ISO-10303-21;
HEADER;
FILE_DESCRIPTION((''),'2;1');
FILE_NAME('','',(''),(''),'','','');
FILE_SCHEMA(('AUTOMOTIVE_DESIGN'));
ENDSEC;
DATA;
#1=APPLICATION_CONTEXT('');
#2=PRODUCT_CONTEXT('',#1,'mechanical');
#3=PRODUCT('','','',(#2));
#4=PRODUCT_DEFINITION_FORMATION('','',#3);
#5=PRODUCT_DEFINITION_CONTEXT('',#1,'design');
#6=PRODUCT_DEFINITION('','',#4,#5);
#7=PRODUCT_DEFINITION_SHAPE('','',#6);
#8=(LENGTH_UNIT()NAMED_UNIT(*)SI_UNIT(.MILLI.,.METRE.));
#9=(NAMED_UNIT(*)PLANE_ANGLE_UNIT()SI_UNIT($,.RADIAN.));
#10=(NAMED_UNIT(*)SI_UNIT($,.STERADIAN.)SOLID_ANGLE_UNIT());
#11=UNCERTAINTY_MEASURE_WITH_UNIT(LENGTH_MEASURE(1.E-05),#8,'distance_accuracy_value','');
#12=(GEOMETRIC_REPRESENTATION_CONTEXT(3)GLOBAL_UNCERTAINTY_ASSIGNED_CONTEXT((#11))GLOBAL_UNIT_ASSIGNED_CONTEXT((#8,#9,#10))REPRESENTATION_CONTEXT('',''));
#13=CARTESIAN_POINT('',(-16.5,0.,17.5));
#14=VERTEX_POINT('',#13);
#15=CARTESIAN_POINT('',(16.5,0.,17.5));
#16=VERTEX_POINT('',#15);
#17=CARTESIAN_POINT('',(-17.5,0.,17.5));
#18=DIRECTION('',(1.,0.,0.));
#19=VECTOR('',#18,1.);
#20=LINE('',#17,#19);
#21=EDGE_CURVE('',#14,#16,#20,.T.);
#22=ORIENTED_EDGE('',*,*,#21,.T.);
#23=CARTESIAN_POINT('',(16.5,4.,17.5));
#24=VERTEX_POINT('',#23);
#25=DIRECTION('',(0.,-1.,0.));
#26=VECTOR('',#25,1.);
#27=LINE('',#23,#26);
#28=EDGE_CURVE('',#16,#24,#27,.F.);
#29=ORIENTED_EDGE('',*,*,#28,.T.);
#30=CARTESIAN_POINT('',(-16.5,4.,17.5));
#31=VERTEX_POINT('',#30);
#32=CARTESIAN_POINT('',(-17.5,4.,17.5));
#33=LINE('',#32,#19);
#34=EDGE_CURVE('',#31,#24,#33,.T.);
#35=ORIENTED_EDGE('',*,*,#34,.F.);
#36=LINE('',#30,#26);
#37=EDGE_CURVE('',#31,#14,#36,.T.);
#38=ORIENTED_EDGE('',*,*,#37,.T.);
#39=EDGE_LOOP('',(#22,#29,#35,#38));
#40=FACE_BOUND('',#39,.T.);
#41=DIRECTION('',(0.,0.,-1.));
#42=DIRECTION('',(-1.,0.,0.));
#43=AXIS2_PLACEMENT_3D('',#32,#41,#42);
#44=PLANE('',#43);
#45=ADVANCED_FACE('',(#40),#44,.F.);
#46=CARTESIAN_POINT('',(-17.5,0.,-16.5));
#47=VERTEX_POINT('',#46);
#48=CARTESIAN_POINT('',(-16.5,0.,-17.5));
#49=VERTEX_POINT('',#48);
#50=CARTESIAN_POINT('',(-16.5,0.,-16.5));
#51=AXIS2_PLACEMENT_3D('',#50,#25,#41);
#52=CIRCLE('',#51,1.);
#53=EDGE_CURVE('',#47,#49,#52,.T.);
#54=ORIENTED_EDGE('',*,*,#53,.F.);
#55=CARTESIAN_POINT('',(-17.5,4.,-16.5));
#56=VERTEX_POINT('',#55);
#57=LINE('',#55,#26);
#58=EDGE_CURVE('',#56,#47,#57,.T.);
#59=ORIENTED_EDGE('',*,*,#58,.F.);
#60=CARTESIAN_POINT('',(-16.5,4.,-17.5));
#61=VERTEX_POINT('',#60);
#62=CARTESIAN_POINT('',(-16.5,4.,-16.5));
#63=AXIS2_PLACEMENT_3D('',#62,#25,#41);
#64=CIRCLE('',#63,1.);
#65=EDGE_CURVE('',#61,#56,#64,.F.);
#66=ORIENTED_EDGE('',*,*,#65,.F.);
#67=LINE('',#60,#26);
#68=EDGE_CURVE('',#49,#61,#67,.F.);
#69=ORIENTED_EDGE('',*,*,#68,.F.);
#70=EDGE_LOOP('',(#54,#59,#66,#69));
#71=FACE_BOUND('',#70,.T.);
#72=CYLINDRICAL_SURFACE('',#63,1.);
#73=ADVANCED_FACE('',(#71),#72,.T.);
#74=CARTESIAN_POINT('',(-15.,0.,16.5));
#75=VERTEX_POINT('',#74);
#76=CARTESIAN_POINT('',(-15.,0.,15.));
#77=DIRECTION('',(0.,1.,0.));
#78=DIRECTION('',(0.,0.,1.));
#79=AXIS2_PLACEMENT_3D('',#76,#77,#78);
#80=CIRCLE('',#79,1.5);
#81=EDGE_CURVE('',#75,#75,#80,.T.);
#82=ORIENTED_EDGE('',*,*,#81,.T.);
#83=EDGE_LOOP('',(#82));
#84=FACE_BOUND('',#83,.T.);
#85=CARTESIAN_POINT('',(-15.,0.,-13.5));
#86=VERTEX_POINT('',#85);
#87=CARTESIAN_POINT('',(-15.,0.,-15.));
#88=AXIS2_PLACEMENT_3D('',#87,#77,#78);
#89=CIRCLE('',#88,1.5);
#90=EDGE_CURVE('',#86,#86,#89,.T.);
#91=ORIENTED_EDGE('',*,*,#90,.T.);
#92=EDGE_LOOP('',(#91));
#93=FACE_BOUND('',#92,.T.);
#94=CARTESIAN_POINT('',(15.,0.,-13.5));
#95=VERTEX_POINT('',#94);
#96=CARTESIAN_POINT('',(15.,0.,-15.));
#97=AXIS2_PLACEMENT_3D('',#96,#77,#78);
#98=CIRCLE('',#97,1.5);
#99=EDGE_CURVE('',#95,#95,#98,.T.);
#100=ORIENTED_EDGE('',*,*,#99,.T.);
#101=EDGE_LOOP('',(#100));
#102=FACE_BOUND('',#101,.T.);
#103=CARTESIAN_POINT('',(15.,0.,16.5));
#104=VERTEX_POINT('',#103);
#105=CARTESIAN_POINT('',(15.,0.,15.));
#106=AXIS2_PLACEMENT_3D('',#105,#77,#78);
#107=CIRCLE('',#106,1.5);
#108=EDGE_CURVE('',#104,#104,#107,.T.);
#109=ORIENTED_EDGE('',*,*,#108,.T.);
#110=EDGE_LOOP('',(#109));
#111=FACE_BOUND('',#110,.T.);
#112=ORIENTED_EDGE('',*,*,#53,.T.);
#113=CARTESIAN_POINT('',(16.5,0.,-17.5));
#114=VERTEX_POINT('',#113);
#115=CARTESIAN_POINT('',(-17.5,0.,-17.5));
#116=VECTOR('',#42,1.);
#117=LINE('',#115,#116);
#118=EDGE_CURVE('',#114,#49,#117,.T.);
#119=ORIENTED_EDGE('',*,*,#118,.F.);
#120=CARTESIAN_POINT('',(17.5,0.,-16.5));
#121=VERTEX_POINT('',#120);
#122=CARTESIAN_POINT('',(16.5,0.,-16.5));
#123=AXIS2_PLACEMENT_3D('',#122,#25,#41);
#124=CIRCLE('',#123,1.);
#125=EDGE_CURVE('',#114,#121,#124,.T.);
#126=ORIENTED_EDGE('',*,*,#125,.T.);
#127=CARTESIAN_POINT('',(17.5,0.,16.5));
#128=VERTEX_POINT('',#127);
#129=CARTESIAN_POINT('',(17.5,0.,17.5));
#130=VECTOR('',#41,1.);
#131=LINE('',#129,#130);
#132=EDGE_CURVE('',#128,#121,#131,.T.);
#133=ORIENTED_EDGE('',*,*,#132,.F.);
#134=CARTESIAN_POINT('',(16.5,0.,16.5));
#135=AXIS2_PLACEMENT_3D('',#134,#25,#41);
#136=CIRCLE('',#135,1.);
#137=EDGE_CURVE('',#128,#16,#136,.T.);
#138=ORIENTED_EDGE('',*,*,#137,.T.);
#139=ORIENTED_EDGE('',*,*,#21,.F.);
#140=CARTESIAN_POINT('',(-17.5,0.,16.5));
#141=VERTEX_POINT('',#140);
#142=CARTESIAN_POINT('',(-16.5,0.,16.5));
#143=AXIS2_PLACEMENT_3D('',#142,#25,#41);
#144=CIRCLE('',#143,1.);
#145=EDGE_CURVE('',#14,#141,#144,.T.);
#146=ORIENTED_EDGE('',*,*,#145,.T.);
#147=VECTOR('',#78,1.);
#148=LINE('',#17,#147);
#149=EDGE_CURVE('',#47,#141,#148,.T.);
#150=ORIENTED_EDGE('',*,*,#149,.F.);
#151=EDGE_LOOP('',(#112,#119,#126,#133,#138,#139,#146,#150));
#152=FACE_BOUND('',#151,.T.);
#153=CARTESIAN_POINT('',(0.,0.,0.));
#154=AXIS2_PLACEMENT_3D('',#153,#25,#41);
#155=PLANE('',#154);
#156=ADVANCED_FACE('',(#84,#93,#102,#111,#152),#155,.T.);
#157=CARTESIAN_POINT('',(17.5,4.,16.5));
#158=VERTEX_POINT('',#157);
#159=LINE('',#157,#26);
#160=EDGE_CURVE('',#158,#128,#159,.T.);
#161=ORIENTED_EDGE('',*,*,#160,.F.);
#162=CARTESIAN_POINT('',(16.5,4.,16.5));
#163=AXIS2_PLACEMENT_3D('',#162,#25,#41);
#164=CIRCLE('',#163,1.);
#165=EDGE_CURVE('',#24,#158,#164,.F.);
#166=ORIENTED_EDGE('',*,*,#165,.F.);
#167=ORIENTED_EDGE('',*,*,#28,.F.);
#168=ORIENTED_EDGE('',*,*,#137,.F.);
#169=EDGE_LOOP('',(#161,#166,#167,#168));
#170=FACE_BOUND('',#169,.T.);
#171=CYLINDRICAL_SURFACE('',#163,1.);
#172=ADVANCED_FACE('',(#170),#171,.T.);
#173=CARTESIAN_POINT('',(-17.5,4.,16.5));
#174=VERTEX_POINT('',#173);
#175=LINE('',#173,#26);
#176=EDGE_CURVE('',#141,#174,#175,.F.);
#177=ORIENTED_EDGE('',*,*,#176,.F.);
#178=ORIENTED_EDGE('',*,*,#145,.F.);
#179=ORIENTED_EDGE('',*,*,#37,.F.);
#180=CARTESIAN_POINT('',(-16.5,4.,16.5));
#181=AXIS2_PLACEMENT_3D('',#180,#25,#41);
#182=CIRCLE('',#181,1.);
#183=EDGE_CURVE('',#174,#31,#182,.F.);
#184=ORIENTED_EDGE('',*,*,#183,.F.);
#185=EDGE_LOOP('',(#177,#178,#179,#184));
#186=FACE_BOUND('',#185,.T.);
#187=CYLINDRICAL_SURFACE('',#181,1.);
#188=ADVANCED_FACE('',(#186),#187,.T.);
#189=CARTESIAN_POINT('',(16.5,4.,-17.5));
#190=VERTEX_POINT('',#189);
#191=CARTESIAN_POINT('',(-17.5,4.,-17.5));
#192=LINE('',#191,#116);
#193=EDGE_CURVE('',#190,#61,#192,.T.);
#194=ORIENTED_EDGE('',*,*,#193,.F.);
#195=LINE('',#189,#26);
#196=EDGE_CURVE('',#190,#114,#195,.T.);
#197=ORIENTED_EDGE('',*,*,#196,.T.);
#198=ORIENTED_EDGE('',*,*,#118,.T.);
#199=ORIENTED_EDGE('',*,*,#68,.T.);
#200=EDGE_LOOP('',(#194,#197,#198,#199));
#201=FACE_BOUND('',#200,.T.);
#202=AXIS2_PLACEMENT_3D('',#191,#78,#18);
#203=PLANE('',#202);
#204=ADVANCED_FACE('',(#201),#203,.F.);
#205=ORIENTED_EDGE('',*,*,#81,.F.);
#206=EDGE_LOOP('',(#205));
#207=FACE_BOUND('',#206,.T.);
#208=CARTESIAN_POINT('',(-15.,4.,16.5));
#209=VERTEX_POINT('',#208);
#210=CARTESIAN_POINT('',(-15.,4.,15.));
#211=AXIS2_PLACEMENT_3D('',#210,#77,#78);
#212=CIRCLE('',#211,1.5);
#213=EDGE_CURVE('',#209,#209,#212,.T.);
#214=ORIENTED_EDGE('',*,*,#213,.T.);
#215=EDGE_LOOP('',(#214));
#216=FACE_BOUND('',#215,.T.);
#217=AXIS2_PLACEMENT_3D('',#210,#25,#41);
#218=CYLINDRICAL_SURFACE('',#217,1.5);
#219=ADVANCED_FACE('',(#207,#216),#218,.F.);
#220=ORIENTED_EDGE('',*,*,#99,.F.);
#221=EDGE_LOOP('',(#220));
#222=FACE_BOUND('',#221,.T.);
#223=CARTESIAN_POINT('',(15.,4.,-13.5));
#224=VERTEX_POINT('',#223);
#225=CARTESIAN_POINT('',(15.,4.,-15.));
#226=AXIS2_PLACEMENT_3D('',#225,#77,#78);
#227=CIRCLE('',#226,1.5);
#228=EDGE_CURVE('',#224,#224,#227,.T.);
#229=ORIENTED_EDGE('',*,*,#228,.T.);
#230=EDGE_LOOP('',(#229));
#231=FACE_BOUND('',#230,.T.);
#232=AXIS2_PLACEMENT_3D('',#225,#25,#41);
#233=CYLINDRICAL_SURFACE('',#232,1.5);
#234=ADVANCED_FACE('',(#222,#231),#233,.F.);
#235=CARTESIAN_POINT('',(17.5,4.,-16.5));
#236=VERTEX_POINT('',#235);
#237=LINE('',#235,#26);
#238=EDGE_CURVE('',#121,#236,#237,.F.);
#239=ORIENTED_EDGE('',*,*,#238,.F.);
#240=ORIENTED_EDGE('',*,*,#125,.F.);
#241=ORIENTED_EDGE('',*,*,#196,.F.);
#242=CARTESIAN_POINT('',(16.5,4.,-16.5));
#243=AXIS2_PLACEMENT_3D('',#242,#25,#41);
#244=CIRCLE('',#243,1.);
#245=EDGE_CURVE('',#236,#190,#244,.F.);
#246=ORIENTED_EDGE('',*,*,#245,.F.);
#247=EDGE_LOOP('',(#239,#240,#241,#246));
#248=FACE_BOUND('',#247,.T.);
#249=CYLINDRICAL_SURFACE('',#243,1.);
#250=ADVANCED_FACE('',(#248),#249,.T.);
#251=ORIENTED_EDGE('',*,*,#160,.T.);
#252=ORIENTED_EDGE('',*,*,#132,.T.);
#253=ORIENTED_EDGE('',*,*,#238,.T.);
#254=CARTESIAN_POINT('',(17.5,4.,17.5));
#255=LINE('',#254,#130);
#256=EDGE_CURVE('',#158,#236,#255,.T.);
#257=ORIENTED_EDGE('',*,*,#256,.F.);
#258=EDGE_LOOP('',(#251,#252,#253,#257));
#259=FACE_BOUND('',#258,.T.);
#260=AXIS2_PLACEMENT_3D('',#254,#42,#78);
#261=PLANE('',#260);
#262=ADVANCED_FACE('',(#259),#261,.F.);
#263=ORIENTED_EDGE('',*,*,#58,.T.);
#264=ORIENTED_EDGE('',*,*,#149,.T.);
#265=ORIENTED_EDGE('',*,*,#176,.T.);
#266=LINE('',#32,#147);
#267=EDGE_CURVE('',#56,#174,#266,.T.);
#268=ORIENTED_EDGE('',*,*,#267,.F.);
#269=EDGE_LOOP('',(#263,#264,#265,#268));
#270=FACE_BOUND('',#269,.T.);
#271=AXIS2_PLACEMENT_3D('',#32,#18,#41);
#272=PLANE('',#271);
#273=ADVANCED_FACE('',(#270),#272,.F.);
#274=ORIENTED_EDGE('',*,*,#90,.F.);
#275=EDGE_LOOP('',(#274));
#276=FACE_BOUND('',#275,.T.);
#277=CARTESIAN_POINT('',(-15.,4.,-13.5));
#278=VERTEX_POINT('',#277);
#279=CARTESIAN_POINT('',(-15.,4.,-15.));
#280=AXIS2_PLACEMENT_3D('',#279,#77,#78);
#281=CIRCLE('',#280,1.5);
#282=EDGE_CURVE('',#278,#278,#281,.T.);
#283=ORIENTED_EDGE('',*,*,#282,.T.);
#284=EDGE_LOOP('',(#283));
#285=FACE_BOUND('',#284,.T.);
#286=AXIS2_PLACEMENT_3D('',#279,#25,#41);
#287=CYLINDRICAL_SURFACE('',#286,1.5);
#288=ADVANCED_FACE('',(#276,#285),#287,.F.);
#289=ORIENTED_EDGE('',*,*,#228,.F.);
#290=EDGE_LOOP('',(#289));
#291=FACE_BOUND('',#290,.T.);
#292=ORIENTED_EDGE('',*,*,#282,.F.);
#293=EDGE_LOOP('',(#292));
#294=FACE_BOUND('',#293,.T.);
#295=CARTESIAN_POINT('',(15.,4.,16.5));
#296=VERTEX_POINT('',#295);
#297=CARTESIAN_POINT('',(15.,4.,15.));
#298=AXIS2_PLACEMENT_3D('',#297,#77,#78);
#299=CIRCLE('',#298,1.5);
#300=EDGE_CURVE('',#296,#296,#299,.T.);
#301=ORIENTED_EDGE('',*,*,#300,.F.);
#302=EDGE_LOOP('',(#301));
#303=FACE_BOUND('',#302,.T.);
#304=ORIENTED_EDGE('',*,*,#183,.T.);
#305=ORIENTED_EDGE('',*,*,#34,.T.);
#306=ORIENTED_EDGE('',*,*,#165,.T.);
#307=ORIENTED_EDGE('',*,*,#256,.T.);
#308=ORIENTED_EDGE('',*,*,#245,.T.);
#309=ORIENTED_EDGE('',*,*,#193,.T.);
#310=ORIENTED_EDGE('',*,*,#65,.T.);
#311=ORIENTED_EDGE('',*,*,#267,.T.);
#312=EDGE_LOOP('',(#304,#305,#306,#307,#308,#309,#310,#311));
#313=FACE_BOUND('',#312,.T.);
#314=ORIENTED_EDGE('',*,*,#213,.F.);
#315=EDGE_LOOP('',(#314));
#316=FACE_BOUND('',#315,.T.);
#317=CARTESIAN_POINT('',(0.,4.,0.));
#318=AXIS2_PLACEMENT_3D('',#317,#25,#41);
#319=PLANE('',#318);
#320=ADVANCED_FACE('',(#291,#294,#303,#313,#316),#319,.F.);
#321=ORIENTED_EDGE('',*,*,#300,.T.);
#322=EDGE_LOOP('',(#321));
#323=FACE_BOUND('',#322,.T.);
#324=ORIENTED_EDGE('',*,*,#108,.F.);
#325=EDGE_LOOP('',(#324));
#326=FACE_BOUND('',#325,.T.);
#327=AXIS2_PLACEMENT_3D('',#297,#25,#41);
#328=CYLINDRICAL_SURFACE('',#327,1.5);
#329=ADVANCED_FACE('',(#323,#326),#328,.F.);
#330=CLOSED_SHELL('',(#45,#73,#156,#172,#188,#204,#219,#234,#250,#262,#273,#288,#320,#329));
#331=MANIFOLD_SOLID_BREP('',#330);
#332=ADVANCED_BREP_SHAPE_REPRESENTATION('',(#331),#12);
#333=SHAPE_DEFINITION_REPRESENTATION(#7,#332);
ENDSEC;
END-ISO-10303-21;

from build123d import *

# Parameters (mm, degrees)
SKETCH1_W           = 35
SKETCH1_H           = 35
SKETCH1_R           = 1.5
BOSS_EXTRUDE1_DEPTH = 4
FILLET3_R           = 1


with BuildPart() as part:
    # Sketch1 → Boss-Extrude1 (new body)
    with BuildSketch(Plane(origin=(0, 0, 0), x_dir=(1, 0, 0), z_dir=(0, 1, 0))):
        Rectangle(SKETCH1_W, SKETCH1_H)
        with Locations(Location((-15, 15, 0), (0, 0, 270))):
            Circle(SKETCH1_R, mode=Mode.SUBTRACT)
        with Locations(Location((15, 15, 0), (0, 0, 270))):
            Circle(SKETCH1_R, mode=Mode.SUBTRACT)
        with Locations(Location((-15, -15, 0), (0, 0, 270))):
            Circle(SKETCH1_R, mode=Mode.SUBTRACT)
        with Locations(Location((15, -15, 0), (0, 0, 270))):
            Circle(SKETCH1_R, mode=Mode.SUBTRACT)
    extrude(amount=BOSS_EXTRUDE1_DEPTH)

    # Fillet3
    fillet3_edges = [part.edges().sort_by_distance(p)[0] for p in [
        (17.5, 2, 17.5),
        (-17.5, 2, 17.5),
        (-17.5, 2, -17.5),
        (17.5, 2, -17.5),
    ]]
    fillet(fillet3_edges, radius=FILLET3_R)


solid = part.part
